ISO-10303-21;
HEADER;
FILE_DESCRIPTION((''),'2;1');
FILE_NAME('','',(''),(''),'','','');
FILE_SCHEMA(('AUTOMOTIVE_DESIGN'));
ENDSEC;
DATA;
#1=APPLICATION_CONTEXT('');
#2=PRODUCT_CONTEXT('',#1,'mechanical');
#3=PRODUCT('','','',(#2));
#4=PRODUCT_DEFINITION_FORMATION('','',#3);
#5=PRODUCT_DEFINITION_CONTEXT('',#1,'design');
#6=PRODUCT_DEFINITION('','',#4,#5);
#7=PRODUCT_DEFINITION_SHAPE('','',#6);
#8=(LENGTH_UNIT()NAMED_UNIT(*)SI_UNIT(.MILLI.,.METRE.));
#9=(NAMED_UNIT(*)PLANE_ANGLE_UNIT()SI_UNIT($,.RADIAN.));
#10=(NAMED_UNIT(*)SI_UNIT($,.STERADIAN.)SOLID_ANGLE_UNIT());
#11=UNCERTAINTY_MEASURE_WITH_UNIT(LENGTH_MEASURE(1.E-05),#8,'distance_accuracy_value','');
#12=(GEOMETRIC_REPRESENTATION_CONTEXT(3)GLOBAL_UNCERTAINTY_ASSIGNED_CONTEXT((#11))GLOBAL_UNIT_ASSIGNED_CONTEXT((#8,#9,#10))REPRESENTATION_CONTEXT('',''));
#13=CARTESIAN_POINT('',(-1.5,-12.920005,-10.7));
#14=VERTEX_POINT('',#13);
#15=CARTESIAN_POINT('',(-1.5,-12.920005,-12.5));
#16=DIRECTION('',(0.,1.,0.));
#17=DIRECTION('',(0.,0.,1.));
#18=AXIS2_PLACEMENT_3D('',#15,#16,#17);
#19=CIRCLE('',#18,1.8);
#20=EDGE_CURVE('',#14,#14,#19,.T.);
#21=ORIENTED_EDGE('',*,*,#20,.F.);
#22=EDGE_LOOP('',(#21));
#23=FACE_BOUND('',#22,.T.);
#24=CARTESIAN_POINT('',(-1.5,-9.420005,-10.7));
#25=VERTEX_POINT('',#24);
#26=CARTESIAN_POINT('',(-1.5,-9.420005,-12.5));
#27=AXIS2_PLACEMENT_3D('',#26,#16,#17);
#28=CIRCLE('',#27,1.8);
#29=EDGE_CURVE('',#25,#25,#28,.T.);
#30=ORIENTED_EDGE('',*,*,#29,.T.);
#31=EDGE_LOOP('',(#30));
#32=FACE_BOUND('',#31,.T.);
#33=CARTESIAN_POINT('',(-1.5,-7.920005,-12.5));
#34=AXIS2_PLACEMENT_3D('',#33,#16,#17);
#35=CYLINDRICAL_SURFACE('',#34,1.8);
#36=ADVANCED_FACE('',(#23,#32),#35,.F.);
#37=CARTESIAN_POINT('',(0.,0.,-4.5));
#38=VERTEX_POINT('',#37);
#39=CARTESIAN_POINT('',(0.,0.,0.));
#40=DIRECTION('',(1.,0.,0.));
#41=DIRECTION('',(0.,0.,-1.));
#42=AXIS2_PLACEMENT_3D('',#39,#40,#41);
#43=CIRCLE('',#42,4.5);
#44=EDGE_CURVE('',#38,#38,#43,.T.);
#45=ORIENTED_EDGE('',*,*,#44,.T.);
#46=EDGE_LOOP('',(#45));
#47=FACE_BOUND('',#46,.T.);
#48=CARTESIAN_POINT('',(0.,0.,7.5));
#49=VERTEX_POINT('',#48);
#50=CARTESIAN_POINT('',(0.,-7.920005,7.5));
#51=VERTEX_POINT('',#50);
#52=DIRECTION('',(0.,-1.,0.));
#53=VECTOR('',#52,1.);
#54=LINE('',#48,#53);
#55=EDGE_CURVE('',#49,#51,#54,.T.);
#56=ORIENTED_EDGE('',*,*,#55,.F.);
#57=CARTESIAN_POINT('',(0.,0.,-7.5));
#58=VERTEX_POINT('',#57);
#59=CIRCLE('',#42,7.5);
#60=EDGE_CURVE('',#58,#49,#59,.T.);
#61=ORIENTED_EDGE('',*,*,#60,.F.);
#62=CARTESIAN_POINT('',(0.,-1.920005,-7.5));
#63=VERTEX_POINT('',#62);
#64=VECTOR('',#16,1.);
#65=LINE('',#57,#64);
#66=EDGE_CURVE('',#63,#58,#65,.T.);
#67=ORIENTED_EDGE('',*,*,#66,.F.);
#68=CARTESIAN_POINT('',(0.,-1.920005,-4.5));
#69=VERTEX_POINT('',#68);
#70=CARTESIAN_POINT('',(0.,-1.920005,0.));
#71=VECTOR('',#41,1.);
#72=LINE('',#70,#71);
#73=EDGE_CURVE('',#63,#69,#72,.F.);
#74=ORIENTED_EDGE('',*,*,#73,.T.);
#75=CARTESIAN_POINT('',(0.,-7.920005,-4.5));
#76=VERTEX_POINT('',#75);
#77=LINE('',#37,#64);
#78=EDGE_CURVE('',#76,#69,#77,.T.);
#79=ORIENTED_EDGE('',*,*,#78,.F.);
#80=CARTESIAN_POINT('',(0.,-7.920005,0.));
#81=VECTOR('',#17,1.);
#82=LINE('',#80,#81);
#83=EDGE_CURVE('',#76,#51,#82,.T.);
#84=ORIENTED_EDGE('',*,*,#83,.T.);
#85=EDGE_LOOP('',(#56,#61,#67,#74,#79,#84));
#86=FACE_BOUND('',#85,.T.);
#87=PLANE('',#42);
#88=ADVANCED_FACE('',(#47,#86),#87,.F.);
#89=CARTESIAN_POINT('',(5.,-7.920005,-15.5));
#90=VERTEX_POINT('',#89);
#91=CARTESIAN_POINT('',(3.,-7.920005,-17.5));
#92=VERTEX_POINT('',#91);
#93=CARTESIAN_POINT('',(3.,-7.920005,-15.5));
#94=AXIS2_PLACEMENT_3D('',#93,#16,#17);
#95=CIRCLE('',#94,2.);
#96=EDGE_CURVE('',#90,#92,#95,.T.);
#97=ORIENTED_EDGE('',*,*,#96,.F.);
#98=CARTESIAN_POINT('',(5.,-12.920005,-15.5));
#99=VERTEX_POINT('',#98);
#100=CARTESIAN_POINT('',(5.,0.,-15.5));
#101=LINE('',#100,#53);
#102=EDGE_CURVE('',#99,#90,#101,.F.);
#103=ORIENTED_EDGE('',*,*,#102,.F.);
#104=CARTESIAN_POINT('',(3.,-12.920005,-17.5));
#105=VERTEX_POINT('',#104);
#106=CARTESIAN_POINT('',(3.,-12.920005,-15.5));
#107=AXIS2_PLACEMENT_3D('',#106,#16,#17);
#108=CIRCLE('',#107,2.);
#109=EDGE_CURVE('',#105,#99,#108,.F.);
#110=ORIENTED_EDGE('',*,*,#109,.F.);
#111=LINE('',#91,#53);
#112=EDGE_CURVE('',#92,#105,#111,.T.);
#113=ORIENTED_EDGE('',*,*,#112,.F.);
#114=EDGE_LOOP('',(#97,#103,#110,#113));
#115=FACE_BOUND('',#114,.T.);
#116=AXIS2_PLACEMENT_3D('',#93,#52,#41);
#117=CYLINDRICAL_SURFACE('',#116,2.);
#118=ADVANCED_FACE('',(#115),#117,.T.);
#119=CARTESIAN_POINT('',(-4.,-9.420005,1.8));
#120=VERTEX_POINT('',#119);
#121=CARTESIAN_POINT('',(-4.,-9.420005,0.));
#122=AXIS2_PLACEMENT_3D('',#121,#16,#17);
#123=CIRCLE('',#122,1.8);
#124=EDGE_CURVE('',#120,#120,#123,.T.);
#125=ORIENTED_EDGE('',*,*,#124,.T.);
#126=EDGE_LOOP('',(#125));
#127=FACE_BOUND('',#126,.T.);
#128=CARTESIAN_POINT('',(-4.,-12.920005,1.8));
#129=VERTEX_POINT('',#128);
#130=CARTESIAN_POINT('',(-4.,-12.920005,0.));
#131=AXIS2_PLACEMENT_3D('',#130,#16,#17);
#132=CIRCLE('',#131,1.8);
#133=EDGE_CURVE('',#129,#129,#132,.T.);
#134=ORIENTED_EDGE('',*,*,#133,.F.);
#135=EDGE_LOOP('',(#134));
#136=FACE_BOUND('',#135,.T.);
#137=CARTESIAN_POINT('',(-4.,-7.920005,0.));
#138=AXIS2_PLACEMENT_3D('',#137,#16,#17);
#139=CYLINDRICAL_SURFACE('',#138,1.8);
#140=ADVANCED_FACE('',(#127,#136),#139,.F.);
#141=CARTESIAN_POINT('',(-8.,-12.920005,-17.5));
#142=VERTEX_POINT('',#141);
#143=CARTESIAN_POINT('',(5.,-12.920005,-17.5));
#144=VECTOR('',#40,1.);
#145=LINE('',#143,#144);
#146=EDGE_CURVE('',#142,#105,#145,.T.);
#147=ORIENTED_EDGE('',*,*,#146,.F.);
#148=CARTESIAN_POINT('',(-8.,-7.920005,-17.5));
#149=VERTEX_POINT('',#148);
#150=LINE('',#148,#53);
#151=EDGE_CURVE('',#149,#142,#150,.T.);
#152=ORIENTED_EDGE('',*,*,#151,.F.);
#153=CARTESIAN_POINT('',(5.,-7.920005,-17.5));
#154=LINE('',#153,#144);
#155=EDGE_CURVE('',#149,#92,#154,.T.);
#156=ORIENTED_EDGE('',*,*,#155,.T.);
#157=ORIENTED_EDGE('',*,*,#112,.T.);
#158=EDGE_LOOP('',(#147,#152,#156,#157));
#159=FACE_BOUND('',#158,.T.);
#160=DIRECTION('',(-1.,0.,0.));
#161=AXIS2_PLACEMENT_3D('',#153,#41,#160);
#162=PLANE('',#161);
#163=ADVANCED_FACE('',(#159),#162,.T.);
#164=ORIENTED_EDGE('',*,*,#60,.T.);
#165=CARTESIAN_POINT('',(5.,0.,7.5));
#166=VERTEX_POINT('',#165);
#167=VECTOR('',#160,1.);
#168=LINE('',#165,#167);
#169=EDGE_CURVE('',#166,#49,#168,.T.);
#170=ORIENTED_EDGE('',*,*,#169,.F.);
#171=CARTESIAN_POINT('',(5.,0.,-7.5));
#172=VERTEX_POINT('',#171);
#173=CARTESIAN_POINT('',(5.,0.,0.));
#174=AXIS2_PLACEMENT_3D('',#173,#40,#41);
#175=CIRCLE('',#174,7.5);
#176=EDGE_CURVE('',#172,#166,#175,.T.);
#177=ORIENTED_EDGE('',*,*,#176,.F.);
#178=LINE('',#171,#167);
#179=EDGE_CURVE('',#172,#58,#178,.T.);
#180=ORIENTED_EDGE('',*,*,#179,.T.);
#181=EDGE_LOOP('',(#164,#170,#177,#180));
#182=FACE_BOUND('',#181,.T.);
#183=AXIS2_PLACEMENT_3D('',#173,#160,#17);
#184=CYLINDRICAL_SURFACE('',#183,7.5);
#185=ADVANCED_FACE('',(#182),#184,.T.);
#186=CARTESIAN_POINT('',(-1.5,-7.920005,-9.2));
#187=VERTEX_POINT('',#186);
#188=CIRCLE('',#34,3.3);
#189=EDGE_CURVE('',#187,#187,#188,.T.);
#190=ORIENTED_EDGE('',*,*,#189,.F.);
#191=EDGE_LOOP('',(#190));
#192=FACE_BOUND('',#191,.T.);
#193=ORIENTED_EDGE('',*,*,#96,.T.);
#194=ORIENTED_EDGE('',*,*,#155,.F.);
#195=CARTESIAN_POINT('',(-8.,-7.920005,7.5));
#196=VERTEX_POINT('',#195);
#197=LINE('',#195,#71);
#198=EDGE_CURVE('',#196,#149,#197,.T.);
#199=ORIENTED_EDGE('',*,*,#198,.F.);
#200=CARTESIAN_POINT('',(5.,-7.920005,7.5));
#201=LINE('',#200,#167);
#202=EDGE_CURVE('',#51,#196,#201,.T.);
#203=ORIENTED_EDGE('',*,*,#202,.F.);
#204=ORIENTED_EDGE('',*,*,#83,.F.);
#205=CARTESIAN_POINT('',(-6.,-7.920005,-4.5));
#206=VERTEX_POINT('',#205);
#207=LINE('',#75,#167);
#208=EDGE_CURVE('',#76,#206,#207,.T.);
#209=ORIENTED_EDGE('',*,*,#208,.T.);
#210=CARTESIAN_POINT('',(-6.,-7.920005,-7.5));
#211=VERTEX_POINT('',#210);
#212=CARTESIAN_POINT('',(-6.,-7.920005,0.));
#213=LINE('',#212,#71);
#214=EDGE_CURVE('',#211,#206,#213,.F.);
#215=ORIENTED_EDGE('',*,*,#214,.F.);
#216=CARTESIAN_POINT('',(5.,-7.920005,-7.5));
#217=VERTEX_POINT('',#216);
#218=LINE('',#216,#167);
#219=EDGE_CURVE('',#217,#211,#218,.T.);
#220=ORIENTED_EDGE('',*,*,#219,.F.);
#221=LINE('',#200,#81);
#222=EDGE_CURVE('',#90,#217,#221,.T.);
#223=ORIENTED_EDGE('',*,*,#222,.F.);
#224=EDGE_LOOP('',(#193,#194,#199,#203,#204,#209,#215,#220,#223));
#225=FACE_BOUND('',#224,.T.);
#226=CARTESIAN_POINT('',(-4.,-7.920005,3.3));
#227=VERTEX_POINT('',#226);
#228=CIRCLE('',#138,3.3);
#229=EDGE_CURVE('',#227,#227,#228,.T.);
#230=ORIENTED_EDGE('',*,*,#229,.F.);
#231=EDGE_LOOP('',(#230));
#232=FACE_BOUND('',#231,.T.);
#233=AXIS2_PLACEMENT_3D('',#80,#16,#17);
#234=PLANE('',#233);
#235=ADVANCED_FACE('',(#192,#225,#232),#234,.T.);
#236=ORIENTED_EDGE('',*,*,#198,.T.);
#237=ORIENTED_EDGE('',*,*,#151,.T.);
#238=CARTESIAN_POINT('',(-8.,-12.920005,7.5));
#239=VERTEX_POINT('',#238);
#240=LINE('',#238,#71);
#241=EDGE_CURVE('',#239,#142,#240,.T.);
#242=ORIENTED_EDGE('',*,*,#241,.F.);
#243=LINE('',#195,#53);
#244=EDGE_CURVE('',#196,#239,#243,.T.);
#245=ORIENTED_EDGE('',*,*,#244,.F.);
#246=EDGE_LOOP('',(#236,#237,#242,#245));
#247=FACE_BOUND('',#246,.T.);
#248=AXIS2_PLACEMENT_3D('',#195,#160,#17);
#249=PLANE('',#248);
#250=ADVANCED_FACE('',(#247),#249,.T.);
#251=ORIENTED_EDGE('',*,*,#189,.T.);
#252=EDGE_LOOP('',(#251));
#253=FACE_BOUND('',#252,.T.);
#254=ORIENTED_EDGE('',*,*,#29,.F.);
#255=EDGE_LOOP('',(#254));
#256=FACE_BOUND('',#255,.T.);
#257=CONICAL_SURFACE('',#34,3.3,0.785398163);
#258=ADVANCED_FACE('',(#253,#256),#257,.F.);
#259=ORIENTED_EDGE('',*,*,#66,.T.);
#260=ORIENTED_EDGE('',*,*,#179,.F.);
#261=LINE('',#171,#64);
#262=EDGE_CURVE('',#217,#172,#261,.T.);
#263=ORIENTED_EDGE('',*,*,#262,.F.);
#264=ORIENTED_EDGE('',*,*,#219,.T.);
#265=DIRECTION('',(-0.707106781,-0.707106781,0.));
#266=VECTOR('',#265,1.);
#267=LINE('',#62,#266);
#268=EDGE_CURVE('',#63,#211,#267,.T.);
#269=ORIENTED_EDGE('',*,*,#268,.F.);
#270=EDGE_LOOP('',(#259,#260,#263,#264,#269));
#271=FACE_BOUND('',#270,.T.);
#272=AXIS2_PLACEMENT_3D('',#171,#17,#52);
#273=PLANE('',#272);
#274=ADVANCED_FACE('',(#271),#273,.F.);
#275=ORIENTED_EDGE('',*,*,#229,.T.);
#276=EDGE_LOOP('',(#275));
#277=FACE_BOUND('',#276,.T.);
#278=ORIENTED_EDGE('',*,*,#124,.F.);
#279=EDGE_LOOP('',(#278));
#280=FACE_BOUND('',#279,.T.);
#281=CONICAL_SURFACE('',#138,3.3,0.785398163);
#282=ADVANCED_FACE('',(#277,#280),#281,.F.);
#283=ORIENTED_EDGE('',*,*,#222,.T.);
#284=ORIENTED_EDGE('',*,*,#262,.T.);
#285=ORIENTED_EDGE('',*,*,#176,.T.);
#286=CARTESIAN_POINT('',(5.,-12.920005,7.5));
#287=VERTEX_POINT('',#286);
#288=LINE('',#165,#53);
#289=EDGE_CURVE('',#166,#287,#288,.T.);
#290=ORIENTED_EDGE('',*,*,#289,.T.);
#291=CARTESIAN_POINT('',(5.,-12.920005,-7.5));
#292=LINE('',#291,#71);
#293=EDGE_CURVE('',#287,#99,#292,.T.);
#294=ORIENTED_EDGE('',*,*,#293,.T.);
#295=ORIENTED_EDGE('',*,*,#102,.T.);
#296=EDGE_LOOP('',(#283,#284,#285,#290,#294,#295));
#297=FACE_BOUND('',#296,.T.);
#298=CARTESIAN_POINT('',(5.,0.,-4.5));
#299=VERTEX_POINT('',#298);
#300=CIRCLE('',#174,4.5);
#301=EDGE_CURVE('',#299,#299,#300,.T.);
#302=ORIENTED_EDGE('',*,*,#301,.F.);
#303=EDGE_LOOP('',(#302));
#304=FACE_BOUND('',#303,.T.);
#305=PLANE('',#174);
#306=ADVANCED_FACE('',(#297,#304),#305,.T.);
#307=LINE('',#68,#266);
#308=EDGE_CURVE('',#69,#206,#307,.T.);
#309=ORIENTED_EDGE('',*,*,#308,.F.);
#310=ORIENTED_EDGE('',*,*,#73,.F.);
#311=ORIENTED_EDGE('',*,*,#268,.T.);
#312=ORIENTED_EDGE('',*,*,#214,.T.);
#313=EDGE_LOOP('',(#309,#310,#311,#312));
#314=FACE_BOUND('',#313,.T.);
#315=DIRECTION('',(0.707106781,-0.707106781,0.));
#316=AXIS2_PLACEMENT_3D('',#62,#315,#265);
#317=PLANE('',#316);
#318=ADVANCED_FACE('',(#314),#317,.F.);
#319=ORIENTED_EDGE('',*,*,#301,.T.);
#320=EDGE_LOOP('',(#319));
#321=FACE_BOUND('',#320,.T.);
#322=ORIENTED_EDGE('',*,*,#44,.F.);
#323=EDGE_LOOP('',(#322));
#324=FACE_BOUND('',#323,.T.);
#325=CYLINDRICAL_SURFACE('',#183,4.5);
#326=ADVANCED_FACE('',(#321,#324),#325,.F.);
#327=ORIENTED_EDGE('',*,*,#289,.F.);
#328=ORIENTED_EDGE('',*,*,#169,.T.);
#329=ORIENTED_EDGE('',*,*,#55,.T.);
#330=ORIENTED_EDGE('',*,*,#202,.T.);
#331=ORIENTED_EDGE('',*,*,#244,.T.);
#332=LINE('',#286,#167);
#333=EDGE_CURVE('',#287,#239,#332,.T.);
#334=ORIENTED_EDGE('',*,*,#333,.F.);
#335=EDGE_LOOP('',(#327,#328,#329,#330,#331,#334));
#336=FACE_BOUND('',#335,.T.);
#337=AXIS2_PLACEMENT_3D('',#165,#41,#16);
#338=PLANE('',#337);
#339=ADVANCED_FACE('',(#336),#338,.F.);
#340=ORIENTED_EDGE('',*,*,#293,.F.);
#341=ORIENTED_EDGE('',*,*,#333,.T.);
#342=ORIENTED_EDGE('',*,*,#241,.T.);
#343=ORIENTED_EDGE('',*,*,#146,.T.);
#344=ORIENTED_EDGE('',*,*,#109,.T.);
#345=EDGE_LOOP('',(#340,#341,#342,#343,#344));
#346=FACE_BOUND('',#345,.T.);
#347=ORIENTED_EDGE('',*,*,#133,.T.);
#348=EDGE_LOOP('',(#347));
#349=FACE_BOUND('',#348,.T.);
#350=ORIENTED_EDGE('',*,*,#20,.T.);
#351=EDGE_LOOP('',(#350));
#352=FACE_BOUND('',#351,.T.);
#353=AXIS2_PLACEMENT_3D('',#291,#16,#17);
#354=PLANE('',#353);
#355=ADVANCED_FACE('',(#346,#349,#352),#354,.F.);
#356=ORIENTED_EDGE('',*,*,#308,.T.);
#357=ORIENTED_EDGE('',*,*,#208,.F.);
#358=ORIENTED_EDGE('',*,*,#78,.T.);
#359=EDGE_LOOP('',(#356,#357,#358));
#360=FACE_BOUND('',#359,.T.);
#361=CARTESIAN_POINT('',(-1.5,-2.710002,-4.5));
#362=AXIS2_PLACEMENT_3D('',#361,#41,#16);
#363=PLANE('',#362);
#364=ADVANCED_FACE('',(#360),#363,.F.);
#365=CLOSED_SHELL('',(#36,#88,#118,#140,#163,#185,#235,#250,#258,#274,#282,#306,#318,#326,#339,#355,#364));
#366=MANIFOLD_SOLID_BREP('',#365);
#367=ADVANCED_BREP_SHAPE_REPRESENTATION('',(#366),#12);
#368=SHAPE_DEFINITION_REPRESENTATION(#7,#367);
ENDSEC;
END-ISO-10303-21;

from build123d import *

# Parameters (mm, degrees)
SKETCH_1_R                = 4.5
EXTRUDE_1_DEPTH           = 5
SKETCH_2_W                = 13
SKETCH_2_H                = 25
EXTRUDE_2_DEPTH           = 5
RIB_1_REACH               = 23.352
SKETCH_3_WALL_W           = 53.190153214
SKETCH_3_WALL_H           = 3
HOLE_WIZARD_1_D           = 3.6
HOLE_WIZARD_1_CSINK_D     = 6.6
HOLE_WIZARD_1_CSINK_ANGLE = 90
FILLET_1_R                = 2


with BuildPart() as part:
    # 草图1 → 凸台-拉伸1 (new body)
    with BuildSketch(Plane(origin=(0, 0, 0), x_dir=(0, 0, -1), z_dir=(1, 0, 0))):
        with BuildLine():
            Line((7.5, 0), (7.5, -12.920004632))
            Line((7.5, -12.920004632), (-7.5, -12.920004632))
            Line((-7.5, -12.920004632), (-7.5, 0))
            ThreePointArc((-7.5, 0), (0, 7.5), (7.5, 0))
        make_face()
        Circle(SKETCH_1_R, mode=Mode.SUBTRACT)
    extrude(amount=EXTRUDE_1_DEPTH)

    # 草图2 → 凸台-拉伸2 (add)
    with BuildSketch(Plane.XZ.offset(12.920004632)):
        with Locations((-1.5, -5)):
            Rectangle(SKETCH_2_W, SKETCH_2_H)
    extrude(amount=-EXTRUDE_2_DEPTH)

    # 草图3 wall → 筋1 (add, up to next)
    with BuildSketch(Plane(origin=(-3, -4.920004632, -7.5), x_dir=(-0.707106781187, -0.707106781187, 0), z_dir=(-0.707106781187, 0.707106781187, 0)), mode=Mode.PRIVATE) as rib_1_sk1:
        with Locations((0, 1.5)):
            Rectangle(SKETCH_3_WALL_W, SKETCH_3_WALL_H)
    rib_1_tool1 = extrude(rib_1_sk1.sketch, amount=-RIB_1_REACH, mode=Mode.PRIVATE) - part.part
    add(rib_1_tool1.solids().sort_by_distance((-3, -4.920004632, -7.5))[0])

    # 打孔尺寸(%根据十字)槽半沉头木螺钉的类型1 (through all)
    with Locations(Plane(origin=(0, -7.920004632, 0), x_dir=(1, 0, 0), z_dir=(0, 1, 0))):
        with Locations((-1.5, 12.5), (-4, 0)):
            CounterSinkHole(HOLE_WIZARD_1_D / 2, HOLE_WIZARD_1_CSINK_D / 2, counter_sink_angle=HOLE_WIZARD_1_CSINK_ANGLE)

    # 圆角1
    fillet_1_edges = [part.edges().sort_by_distance(p)[0] for p in [
        (5, -10.420004632, -17.5),
    ]]
    fillet(fillet_1_edges, radius=FILLET_1_R)


solid = part.part
